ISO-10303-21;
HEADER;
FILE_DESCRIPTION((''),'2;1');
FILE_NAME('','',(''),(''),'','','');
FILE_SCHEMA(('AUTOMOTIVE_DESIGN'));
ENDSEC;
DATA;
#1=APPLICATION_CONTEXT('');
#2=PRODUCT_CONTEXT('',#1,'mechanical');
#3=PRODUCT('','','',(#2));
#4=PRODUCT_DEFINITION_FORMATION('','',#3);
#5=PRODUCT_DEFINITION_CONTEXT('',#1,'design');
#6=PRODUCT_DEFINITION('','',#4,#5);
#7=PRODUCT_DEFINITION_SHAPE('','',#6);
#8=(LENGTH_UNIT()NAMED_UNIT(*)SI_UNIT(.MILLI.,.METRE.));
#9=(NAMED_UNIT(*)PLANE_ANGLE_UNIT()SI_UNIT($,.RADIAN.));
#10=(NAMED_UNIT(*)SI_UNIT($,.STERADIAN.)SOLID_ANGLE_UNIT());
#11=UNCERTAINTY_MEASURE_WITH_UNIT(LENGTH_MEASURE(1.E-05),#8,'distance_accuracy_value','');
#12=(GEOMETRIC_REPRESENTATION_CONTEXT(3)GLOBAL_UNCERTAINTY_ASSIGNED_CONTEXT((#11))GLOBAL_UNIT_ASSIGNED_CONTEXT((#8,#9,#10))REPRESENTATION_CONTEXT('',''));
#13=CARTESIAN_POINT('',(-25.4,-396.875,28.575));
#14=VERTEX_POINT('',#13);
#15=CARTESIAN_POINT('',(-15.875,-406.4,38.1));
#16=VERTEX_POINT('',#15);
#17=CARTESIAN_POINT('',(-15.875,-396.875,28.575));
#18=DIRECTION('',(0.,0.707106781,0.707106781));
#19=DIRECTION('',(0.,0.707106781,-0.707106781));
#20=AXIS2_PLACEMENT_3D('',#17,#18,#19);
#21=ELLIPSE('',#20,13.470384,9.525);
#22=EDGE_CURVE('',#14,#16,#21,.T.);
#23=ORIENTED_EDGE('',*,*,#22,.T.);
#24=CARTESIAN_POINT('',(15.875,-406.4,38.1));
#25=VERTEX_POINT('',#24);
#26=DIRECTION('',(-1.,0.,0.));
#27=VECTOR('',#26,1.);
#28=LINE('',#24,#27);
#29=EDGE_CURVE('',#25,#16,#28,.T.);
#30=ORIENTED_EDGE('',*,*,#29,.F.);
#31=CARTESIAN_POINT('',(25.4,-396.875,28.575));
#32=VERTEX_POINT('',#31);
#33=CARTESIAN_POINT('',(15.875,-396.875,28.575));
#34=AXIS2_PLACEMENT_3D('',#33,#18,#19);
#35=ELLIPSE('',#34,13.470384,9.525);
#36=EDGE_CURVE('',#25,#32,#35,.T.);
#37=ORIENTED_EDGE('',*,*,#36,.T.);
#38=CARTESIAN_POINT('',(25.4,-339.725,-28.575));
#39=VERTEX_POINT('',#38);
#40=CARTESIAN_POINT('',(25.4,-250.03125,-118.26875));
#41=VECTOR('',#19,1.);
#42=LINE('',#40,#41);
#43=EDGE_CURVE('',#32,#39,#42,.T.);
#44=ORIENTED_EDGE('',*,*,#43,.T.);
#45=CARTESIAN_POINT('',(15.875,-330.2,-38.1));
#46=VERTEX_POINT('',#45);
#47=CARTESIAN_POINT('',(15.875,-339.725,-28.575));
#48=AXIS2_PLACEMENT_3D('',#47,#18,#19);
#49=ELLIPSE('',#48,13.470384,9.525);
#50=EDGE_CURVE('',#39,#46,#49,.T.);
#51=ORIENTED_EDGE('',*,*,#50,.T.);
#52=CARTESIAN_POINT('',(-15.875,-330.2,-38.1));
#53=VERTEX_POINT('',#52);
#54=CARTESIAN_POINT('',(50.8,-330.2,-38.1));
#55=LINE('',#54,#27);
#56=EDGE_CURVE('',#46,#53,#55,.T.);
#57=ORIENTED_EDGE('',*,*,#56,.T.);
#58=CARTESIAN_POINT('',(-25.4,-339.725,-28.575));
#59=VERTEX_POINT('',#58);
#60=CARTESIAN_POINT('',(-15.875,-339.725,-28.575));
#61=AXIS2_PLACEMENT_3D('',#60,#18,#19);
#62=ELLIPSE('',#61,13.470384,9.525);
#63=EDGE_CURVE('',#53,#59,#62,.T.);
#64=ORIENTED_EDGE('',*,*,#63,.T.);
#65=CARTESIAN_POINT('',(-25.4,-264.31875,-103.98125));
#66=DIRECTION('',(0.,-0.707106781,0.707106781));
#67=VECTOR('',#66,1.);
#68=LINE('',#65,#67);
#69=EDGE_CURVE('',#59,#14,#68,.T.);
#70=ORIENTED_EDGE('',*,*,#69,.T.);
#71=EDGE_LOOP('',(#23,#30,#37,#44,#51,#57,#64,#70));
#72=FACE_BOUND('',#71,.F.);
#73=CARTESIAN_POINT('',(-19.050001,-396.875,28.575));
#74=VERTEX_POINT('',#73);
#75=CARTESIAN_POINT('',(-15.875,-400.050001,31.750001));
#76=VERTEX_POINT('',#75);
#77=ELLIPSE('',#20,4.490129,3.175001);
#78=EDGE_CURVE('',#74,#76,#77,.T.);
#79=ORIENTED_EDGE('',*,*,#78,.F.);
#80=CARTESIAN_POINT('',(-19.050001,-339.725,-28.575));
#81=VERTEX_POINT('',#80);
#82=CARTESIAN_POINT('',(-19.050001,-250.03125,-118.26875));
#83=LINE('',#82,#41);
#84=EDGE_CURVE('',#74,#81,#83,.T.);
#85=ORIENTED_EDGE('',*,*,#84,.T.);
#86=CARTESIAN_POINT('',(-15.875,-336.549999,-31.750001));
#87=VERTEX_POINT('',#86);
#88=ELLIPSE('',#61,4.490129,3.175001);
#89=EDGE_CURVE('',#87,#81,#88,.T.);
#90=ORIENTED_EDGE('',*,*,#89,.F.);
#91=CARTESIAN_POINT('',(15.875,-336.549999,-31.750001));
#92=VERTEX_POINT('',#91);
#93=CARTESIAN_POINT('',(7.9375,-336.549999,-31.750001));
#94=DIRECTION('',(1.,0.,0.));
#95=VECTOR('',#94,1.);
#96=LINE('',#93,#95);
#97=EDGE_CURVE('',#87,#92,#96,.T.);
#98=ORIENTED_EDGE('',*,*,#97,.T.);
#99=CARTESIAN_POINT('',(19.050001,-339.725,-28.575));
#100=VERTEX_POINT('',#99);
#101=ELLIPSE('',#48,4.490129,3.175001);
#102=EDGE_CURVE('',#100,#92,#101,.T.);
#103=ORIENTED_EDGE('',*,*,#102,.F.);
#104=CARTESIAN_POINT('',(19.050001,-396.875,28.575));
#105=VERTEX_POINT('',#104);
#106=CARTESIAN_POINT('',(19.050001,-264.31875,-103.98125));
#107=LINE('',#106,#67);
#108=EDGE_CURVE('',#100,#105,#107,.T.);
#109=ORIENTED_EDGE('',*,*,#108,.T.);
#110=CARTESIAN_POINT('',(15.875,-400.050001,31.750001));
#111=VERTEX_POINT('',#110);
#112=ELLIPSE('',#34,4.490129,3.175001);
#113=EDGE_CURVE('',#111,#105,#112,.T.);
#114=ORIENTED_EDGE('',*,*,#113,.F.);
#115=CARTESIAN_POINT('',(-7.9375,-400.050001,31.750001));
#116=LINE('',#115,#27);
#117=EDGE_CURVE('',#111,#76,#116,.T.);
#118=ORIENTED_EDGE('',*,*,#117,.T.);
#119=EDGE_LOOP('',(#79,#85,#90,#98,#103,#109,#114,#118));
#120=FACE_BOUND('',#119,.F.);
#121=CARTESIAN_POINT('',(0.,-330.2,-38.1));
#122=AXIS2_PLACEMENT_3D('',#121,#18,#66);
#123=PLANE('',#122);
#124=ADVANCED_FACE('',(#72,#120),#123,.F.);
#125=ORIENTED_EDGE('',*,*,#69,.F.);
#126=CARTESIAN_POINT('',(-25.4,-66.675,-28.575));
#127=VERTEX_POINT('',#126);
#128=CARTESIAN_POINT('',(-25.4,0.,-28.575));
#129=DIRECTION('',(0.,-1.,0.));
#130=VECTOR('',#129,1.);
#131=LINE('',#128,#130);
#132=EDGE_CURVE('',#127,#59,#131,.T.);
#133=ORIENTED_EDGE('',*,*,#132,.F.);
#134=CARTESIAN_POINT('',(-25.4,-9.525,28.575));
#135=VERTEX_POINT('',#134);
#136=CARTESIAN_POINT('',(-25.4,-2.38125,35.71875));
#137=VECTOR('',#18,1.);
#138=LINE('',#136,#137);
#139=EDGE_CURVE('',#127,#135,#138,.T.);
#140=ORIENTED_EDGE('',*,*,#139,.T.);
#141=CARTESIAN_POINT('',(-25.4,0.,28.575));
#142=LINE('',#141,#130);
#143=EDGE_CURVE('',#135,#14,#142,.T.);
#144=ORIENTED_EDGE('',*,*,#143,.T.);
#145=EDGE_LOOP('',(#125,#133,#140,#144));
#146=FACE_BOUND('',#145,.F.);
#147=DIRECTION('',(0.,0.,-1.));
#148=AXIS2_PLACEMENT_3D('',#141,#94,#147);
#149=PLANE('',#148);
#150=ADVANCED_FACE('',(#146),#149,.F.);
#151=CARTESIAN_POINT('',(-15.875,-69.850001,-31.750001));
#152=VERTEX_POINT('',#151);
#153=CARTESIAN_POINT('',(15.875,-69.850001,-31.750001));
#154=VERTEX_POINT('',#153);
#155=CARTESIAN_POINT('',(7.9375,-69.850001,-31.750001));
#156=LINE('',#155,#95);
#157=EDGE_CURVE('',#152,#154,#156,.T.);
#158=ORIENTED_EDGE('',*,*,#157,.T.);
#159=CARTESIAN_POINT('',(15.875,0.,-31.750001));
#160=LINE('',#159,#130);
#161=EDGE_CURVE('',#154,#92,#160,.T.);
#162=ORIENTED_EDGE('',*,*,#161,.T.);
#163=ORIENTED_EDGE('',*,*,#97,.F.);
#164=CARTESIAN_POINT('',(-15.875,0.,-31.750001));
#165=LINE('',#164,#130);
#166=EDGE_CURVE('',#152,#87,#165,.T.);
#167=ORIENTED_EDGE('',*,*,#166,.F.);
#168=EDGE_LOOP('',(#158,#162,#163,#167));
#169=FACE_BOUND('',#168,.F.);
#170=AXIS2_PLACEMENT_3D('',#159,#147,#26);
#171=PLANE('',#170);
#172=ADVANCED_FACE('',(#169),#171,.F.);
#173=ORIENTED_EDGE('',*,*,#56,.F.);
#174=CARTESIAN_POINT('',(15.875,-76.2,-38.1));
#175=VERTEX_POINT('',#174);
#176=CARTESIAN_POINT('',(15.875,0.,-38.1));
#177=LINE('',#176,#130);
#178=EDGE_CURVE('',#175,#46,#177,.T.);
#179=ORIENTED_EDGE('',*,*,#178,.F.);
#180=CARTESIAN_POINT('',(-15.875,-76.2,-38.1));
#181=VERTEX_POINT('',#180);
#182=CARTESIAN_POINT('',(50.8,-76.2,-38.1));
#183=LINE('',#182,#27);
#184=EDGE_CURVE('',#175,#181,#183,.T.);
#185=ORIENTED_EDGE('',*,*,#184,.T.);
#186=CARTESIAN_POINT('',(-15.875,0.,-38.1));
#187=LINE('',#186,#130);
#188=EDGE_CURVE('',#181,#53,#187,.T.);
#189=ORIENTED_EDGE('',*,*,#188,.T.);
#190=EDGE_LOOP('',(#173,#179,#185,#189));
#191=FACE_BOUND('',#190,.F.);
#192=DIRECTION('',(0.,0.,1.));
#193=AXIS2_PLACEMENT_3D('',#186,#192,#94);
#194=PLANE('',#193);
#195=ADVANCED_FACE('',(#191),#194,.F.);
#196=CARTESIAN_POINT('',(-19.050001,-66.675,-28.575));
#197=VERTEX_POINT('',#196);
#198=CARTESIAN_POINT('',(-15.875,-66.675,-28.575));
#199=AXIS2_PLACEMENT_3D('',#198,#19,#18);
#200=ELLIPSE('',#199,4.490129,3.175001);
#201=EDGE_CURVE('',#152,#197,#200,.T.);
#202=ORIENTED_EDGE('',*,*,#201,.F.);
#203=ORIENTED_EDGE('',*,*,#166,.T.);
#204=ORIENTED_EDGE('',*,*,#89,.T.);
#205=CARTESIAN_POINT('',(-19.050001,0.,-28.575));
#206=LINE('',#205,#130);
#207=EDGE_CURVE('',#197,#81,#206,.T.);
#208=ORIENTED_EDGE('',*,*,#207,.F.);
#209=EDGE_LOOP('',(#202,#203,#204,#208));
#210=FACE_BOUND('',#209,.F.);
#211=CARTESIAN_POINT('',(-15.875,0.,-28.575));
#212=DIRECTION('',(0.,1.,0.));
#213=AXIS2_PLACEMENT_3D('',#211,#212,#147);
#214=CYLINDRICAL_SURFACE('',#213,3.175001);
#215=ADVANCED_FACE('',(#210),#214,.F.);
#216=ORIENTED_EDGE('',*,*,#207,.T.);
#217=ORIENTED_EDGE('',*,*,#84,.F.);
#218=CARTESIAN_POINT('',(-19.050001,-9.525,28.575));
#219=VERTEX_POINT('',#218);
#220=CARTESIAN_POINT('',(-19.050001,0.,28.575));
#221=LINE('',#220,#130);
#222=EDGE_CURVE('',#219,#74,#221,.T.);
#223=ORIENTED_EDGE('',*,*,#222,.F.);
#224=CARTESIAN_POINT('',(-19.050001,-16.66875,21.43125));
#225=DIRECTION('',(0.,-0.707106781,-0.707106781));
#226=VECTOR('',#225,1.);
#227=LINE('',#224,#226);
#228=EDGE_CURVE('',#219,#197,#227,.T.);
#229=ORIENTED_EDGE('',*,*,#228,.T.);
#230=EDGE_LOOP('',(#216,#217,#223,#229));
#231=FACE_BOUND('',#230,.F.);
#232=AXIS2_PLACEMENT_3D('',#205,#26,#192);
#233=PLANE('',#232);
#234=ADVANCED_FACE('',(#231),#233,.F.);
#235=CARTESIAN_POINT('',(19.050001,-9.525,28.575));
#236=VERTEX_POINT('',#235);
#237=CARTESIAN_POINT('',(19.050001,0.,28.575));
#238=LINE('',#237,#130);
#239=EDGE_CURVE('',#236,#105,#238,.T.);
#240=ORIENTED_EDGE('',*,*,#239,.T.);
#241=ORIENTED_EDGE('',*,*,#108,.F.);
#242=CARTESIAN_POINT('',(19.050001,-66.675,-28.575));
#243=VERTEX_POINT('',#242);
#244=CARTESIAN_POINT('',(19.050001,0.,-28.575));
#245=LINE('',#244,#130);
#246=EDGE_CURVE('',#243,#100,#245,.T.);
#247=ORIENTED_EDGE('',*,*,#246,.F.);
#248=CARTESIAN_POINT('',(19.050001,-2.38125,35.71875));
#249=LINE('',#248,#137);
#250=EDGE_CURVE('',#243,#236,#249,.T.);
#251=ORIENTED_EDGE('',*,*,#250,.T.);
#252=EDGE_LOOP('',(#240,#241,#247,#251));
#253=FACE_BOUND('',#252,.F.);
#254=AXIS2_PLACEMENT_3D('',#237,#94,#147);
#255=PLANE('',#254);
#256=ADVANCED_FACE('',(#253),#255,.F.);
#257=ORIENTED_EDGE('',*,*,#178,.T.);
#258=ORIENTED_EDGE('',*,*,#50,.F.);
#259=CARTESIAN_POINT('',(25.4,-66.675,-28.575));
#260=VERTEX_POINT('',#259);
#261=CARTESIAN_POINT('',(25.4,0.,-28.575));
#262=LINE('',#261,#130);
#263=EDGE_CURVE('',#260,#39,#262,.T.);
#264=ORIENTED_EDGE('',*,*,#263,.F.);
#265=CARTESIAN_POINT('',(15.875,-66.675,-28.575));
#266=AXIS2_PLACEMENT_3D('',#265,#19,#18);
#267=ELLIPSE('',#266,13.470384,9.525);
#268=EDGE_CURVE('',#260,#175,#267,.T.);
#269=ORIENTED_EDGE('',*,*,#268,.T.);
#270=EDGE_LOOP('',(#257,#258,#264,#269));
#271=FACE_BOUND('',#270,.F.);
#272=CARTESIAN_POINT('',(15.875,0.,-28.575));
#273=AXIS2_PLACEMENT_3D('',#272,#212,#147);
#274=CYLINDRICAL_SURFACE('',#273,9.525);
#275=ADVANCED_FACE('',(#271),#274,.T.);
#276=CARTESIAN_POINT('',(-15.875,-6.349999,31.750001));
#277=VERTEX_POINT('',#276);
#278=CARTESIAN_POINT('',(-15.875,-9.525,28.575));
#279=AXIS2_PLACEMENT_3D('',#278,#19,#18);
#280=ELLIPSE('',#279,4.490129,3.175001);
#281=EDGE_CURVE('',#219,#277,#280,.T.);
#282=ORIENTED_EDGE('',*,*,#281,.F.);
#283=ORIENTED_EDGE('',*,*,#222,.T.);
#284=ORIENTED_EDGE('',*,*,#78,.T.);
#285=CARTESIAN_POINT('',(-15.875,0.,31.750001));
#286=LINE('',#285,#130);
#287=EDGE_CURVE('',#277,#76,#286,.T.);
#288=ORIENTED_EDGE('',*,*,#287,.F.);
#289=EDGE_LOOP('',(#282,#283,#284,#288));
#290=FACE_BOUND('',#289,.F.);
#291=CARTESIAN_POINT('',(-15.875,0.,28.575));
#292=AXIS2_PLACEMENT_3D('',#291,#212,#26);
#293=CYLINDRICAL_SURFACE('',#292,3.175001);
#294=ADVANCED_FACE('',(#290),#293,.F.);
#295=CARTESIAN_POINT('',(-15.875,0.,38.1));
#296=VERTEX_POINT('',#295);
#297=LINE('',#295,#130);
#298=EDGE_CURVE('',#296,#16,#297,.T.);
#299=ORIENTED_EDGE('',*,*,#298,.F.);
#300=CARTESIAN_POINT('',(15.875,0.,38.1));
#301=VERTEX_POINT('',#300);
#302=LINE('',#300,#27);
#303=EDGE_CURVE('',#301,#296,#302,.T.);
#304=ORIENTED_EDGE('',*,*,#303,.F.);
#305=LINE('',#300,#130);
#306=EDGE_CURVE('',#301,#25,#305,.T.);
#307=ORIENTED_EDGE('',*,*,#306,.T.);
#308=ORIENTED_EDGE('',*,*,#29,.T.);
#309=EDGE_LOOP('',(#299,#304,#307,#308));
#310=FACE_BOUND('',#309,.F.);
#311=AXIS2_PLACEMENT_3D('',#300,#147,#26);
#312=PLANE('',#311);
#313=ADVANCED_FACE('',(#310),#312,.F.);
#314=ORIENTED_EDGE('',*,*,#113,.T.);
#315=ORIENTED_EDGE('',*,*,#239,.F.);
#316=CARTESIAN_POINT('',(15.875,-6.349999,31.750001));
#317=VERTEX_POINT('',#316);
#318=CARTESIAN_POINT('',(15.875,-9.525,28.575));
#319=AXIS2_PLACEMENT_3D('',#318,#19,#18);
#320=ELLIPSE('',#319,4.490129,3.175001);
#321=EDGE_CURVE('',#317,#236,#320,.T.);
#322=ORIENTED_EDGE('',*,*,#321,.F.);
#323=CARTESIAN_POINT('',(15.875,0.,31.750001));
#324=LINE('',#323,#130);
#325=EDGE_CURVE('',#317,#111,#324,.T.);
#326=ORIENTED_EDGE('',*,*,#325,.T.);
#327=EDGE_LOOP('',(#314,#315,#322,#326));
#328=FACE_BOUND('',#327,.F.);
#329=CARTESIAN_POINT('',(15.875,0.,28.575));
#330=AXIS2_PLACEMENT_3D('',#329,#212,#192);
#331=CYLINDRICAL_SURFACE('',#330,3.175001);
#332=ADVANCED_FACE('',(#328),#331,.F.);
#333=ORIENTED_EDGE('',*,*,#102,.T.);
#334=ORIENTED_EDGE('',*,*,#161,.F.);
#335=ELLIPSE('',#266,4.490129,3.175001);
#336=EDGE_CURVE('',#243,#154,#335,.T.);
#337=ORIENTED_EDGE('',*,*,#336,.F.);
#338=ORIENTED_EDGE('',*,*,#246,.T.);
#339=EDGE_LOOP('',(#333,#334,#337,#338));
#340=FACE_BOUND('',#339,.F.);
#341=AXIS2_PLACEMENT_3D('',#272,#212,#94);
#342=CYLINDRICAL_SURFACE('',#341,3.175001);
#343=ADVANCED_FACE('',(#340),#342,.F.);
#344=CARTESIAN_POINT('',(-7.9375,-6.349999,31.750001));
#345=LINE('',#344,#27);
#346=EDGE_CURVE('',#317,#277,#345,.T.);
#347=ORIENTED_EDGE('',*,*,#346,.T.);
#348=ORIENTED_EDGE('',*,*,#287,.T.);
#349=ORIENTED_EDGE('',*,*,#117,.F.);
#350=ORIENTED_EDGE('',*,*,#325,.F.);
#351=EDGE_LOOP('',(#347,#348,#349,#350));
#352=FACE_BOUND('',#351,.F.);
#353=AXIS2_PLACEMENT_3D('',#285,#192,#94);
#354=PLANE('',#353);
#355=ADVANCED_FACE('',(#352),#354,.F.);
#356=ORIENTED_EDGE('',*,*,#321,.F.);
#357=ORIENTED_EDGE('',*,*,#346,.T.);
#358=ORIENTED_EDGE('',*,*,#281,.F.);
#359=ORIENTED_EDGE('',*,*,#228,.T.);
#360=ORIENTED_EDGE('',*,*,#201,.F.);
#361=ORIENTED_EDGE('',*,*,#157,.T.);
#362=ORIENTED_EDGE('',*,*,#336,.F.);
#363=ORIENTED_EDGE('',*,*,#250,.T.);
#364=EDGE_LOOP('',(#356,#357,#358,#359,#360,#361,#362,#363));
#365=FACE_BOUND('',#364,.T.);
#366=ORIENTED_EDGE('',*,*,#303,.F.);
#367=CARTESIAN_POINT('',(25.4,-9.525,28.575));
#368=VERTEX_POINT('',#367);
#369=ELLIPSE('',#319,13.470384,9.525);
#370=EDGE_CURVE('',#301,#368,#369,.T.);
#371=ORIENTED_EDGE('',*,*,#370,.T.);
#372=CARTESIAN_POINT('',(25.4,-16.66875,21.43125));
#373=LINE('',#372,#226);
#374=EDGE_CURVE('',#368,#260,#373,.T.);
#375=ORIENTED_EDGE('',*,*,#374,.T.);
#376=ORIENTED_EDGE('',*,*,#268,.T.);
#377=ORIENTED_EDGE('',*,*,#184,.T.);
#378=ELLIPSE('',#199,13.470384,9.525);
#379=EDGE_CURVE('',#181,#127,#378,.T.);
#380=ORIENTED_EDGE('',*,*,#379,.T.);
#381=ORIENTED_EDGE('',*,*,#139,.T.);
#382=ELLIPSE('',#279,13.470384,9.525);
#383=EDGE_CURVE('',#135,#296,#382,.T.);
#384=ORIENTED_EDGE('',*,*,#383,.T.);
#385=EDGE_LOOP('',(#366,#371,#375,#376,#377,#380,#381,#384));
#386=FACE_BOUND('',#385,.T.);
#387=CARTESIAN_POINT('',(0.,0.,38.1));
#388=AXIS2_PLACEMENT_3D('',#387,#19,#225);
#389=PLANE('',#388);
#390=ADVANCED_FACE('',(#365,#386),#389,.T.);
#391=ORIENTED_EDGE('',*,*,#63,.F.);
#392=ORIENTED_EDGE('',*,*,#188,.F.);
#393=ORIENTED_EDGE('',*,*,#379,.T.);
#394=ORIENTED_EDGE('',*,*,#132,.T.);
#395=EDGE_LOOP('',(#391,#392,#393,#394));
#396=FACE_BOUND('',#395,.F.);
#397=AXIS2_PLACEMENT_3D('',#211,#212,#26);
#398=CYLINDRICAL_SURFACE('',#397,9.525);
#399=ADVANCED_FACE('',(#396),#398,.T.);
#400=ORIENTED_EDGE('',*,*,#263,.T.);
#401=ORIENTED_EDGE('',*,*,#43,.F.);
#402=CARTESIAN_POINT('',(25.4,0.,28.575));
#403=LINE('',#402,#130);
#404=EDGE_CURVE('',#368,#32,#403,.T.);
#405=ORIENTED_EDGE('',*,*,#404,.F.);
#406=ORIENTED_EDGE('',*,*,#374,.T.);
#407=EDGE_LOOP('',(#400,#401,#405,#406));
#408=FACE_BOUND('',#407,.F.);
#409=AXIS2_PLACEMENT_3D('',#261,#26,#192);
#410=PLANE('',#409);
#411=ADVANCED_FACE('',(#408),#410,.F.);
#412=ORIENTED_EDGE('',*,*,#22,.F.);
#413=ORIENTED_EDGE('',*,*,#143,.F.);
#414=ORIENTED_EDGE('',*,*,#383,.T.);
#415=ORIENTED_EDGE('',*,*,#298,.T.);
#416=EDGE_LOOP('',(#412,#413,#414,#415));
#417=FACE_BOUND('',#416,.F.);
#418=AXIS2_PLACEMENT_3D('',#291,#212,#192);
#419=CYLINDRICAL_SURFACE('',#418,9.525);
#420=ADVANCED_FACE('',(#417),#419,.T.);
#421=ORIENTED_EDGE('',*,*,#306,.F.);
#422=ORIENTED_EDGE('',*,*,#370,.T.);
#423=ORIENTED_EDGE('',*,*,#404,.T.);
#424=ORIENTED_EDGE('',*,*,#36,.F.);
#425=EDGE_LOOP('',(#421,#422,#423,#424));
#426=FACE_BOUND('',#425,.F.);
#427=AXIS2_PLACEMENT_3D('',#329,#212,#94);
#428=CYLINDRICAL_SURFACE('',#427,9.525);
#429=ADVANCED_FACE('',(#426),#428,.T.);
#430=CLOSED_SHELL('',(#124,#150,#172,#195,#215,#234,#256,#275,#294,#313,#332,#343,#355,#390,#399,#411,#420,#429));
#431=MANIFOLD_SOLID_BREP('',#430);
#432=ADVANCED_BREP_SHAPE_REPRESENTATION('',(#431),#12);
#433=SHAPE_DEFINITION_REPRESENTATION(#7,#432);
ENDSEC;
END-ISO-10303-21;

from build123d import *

# Parameters (mm, degrees)
F1_DEPTH = 406.4
F3_DEPTH = 50.8


with BuildPart() as f1:
    # F0 (on Front) → F1 (new body)
    with BuildSketch(Plane.XZ):
        with BuildLine():
            ThreePointArc((-25.4, -28.575), (-22.6101920908, -35.3101920908), (-15.875, -38.1))
            Line((-15.875, -38.1), (15.875, -38.1))
            ThreePointArc((15.875, -38.1), (22.6101920908, -35.3101920908), (25.4, -28.575))
            Line((25.4, -28.575), (25.4, 28.575))
            ThreePointArc((25.4, 28.575), (22.6101920908, 35.3101920908), (15.875, 38.1))
            Line((15.875, 38.1), (-15.875, 38.1))
            ThreePointArc((-15.875, 38.1), (-22.6101920908, 35.3101920908), (-25.4, 28.575))
            Line((-25.4, 28.575), (-25.4, -28.575))
        make_face()
        with BuildLine():
            ThreePointArc((19.0500010133, -28.575), (18.1200647468, -30.8200647468), (15.875, -31.7500010133))
            Line((15.875, -31.7500010133), (-15.875, -31.7500010133))
            ThreePointArc((-15.875, -31.7500010133), (-18.1200647468, -30.8200647468), (-19.0500010133, -28.575))
            Line((-19.0500010133, -28.575), (-19.0500010133, 28.575))
            ThreePointArc((-19.0500010133, 28.575), (-18.1200647468, 30.8200647468), (-15.875, 31.7500010133))
            Line((-15.875, 31.7500010133), (15.875, 31.7500010133))
            ThreePointArc((15.875, 31.7500010133), (18.1200647468, 30.8200647468), (19.0500010133, 28.575))
            Line((19.0500010133, 28.575), (19.0500010133, -28.575))
        make_face(mode=Mode.SUBTRACT)
    extrude(amount=F1_DEPTH)

    # F2 (on Right) → F3 (cut, symmetric)
    with BuildSketch(Plane.YZ):
        Polygon((0, -38.1), (0, 38.1), (-76.2, -38.1), align=None)
        Polygon((-330.2, -38.1), (-406.4, 38.1), (-406.4, -38.1), align=None)
    extrude(amount=F3_DEPTH, both=True, mode=Mode.SUBTRACT)


with BuildPart() as f4_1:
    # F4: copy of F1
    add(f1.part)


solid = f1.part
